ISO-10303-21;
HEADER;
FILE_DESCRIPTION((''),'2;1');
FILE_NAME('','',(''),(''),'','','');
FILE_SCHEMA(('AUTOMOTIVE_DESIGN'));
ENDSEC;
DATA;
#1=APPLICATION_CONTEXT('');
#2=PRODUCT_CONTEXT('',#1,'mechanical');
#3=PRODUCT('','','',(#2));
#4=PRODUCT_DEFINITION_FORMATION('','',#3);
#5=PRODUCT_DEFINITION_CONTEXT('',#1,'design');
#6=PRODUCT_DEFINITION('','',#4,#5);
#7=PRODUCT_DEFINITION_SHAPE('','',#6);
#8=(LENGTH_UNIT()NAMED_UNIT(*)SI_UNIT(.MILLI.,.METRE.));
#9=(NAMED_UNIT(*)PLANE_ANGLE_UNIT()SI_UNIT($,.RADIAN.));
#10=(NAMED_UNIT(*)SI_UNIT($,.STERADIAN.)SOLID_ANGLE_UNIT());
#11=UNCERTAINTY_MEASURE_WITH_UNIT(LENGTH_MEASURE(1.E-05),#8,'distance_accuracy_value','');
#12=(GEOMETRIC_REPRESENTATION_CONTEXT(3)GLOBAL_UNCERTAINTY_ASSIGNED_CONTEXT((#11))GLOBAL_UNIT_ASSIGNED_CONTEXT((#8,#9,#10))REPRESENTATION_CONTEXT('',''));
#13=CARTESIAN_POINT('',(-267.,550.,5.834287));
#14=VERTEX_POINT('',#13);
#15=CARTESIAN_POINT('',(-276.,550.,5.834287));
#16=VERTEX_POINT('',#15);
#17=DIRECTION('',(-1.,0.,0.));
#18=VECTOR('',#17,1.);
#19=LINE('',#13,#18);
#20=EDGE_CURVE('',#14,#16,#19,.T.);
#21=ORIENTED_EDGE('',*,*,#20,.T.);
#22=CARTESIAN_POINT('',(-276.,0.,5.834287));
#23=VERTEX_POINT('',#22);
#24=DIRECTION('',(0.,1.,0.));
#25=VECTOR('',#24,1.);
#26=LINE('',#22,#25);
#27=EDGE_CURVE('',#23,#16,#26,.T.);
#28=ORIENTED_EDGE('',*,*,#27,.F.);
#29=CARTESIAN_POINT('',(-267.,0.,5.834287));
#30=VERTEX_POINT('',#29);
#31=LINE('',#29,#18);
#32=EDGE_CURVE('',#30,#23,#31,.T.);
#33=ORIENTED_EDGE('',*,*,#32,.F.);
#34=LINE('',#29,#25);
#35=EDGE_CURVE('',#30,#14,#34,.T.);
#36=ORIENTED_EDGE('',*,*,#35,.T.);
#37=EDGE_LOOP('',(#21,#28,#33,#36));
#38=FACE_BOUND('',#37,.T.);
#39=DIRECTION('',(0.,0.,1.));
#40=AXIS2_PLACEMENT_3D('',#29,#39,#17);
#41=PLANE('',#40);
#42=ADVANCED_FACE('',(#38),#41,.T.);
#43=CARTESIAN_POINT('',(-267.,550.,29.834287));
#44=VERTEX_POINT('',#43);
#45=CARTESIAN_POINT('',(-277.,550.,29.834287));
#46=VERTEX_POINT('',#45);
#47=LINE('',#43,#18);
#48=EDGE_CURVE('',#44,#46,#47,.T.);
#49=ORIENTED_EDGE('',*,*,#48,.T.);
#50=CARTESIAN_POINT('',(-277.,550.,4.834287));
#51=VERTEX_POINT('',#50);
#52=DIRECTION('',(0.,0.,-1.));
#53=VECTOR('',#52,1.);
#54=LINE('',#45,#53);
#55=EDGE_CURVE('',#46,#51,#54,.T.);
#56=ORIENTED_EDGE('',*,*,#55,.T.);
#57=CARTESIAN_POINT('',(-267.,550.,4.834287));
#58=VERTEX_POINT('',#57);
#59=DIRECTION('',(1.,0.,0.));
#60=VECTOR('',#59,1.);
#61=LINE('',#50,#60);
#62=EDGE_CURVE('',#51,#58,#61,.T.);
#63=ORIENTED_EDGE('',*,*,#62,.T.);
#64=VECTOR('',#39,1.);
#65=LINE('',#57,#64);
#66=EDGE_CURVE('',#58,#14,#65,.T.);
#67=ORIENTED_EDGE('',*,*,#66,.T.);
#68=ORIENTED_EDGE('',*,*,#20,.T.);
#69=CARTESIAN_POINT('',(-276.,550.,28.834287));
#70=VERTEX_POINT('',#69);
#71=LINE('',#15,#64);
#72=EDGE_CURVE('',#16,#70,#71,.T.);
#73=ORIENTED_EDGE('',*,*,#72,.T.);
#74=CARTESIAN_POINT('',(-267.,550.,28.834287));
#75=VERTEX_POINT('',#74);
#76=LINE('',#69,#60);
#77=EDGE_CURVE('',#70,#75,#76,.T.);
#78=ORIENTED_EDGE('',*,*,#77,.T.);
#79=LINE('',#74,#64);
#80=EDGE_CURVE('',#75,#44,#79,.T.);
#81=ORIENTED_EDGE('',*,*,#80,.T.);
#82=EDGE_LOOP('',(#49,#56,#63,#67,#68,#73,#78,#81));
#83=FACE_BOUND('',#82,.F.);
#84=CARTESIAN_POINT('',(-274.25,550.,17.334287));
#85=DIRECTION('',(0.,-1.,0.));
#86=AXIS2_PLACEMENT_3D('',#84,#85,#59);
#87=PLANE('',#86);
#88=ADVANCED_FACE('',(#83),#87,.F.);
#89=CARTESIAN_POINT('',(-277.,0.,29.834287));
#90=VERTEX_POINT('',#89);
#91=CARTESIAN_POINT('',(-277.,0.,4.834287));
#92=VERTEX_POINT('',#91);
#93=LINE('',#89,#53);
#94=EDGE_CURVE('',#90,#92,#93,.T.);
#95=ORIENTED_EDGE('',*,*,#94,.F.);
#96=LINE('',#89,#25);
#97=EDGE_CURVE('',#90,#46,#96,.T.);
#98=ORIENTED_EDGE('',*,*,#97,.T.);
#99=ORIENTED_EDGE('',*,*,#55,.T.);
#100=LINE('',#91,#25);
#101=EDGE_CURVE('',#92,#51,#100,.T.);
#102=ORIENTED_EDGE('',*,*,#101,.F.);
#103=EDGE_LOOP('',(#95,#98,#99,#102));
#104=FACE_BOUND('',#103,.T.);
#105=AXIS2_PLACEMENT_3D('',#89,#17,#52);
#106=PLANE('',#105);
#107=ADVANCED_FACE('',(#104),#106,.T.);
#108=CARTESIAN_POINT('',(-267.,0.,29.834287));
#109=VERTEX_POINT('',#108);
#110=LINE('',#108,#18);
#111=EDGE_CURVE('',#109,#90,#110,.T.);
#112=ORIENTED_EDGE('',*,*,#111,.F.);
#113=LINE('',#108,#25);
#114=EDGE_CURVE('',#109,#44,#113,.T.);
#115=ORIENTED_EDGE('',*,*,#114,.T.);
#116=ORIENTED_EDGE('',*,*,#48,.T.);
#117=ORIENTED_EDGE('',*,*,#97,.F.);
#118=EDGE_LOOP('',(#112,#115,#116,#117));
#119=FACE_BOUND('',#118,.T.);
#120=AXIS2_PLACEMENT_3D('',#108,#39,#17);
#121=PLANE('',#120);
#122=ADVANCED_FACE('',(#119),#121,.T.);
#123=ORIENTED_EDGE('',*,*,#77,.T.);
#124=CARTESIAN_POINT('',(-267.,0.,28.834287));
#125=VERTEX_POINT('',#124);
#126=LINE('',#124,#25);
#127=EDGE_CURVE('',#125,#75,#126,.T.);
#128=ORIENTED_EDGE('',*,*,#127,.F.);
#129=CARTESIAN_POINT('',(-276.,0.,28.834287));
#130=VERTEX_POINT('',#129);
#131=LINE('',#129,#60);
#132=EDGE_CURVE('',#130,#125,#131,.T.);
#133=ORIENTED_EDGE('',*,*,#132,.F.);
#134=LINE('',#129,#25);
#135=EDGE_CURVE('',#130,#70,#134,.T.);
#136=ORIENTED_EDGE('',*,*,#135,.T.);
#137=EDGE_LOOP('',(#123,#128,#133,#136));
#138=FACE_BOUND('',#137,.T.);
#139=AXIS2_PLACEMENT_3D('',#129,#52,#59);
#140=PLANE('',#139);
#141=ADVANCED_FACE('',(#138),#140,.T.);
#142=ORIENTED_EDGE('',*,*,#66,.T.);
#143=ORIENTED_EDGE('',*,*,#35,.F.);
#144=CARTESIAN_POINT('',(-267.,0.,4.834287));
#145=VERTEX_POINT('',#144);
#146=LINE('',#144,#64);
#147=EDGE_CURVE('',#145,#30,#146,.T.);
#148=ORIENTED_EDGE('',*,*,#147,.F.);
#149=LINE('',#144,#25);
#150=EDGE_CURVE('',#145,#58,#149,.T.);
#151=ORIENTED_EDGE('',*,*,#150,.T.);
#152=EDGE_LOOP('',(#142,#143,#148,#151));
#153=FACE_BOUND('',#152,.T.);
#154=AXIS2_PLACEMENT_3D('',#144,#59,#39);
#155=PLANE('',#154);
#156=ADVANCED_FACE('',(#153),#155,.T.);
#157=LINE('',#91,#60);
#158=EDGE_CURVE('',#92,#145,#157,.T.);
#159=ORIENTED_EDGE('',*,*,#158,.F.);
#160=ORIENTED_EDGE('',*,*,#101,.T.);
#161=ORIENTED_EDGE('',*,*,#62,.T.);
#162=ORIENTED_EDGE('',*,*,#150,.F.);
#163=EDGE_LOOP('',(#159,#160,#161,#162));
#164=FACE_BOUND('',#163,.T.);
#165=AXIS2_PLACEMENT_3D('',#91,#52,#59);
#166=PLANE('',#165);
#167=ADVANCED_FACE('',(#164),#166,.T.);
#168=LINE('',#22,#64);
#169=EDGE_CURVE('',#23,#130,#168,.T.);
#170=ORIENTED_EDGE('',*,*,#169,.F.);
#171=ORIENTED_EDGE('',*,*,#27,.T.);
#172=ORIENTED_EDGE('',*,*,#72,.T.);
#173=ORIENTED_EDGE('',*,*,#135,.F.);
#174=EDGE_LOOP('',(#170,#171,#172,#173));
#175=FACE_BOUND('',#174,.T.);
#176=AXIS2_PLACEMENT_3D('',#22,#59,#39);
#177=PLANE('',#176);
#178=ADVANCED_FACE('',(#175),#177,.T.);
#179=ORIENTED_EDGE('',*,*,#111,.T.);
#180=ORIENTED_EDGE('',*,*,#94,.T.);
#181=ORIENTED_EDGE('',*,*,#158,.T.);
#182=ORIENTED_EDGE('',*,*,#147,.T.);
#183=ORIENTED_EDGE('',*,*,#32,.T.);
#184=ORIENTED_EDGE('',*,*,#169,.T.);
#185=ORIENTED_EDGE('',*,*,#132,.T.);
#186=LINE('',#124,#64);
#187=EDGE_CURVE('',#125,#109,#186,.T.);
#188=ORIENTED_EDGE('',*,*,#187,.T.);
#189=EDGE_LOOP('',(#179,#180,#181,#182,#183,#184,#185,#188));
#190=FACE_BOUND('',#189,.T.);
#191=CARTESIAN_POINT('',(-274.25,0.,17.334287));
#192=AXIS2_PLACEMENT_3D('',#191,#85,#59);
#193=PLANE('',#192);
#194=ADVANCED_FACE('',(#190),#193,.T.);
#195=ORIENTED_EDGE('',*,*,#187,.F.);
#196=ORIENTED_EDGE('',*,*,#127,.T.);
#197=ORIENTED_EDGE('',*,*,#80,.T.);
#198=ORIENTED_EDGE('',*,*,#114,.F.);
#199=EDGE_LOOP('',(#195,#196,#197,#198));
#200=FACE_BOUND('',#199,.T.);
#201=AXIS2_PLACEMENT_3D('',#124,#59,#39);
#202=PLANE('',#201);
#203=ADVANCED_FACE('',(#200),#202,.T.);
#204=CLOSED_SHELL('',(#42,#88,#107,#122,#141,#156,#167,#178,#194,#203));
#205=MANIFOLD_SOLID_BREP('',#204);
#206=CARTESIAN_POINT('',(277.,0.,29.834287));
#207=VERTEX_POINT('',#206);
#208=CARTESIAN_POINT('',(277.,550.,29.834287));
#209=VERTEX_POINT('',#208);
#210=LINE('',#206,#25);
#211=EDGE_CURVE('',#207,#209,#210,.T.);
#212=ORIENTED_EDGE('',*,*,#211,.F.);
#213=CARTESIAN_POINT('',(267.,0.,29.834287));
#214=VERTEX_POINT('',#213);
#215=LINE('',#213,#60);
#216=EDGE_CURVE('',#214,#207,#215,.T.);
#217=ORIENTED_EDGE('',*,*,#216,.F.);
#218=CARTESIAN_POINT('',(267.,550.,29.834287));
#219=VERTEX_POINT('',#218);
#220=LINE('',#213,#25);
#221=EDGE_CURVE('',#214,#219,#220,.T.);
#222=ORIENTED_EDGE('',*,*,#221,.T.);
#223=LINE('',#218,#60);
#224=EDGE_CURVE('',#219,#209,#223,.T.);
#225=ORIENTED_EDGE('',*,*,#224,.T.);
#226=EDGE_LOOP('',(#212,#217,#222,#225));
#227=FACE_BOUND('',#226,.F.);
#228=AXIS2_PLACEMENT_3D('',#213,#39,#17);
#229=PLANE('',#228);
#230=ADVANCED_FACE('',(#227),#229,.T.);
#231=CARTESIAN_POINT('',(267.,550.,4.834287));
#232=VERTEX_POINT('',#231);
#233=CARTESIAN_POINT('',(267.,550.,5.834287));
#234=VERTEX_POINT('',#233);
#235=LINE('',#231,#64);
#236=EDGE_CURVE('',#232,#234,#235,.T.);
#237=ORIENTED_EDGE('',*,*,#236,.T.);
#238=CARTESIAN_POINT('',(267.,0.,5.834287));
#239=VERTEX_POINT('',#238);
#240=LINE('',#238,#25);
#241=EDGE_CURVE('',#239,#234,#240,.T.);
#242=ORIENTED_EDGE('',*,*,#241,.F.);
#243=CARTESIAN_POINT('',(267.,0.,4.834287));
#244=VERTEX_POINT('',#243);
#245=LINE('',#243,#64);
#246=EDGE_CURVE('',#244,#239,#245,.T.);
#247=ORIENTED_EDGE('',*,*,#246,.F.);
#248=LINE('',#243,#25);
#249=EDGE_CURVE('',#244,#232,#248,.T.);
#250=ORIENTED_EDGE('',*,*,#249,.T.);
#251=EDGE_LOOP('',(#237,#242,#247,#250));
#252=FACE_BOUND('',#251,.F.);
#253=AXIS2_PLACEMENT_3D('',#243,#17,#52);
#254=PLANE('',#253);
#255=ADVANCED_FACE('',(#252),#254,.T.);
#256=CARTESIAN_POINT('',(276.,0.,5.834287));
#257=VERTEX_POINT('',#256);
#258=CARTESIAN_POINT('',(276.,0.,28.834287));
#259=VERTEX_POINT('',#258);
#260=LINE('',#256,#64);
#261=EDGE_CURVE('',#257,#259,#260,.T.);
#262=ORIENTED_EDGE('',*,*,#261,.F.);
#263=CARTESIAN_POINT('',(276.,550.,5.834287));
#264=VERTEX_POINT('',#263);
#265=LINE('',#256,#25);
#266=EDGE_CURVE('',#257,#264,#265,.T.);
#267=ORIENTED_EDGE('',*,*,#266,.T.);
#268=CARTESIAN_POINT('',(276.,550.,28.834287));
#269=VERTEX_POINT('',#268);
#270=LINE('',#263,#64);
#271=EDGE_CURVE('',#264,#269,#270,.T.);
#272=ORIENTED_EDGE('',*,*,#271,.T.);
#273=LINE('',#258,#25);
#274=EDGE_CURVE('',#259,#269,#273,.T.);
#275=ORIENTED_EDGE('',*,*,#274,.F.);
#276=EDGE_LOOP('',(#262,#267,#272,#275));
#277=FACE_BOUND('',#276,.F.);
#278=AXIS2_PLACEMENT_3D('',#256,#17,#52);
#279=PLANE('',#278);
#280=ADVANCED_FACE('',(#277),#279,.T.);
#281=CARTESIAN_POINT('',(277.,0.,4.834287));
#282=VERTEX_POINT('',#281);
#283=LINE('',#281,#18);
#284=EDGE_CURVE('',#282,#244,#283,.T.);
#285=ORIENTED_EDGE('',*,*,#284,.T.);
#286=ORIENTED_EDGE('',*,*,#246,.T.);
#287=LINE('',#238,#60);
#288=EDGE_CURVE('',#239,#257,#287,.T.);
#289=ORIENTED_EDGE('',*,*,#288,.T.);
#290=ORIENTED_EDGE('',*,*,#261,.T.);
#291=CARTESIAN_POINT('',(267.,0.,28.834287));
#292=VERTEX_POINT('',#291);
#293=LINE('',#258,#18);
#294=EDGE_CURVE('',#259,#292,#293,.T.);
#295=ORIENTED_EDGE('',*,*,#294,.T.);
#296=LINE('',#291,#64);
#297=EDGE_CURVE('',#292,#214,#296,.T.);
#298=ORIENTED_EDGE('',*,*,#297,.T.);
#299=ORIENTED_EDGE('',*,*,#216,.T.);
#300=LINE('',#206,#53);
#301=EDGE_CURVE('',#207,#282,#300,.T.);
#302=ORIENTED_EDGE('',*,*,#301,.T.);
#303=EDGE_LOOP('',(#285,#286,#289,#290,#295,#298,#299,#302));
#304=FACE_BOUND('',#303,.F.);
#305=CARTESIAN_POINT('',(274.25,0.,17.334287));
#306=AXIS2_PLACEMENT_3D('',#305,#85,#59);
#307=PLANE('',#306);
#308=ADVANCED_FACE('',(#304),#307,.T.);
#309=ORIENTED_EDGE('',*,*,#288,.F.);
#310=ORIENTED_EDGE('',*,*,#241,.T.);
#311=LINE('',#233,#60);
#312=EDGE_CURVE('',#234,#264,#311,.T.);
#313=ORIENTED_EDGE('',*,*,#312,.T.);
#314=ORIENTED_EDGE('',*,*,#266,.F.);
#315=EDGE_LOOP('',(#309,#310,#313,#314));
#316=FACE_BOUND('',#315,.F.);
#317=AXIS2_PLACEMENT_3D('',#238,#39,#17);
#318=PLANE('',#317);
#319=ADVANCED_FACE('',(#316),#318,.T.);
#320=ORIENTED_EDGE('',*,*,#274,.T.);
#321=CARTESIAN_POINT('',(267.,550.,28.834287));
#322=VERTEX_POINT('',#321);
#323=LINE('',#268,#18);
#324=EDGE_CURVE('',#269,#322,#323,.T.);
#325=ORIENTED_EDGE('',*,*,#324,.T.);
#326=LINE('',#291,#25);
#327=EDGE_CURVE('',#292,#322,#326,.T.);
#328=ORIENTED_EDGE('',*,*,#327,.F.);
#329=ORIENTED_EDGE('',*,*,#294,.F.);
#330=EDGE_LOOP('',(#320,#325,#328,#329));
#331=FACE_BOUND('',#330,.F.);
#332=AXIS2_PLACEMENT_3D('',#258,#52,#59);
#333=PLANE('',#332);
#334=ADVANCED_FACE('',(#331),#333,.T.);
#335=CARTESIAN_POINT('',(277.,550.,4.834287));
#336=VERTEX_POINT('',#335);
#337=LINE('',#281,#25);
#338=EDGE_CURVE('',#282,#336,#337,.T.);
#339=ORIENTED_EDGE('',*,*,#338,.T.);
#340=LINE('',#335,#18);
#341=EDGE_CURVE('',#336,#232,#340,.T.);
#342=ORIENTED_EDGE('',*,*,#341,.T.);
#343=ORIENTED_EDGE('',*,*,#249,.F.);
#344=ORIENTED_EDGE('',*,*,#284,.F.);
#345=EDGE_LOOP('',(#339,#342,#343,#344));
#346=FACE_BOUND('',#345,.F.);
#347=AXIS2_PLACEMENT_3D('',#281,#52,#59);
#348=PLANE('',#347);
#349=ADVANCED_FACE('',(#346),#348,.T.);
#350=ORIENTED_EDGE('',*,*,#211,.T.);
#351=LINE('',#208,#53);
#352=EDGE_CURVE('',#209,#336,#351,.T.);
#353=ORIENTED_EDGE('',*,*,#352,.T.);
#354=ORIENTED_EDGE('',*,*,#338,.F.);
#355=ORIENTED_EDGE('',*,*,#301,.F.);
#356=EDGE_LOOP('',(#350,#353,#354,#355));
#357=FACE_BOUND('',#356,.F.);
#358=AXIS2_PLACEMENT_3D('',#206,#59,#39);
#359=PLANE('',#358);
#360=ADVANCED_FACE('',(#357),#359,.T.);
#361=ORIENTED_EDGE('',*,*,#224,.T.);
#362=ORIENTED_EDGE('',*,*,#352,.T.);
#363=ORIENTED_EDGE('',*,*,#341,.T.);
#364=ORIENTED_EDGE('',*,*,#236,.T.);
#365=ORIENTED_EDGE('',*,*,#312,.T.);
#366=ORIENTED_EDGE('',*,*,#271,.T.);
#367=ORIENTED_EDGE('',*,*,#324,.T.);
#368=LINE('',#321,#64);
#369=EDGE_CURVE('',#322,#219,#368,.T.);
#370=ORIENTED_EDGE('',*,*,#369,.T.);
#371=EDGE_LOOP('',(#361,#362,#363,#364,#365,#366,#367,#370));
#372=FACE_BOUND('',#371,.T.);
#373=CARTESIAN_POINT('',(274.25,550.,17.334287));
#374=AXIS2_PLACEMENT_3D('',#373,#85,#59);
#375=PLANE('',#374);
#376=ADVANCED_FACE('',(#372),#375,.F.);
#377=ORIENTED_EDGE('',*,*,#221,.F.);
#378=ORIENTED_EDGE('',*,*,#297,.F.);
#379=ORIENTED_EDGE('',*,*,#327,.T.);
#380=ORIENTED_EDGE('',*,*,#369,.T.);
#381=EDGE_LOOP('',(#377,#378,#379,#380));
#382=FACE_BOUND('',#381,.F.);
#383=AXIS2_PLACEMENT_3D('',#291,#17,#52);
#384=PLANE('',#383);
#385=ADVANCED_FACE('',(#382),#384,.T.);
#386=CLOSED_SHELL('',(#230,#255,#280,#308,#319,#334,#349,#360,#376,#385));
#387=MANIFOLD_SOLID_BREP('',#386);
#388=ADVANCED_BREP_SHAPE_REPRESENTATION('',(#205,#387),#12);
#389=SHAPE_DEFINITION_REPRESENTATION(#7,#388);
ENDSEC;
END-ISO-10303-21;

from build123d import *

# Parameters (mm, degrees)
F1_DEPTH = 550


with BuildPart() as f1:
    # F0 (on Front) → F1 (new body)
    with BuildSketch(Plane.XZ):
        Polygon((-267, 29.834287), (-277, 29.834287), (-277, 4.834287), (-267, 4.834287), (-267, 5.834287), (-276, 5.834287), (-276, 28.834287), (-267, 28.834287), align=None)
    extrude(amount=-F1_DEPTH)


with BuildPart() as f2_1:
    # F2: instance of F1
    add(f1.part.mirror(Plane.YZ))


solid = Compound([f1.part, f2_1.part])
